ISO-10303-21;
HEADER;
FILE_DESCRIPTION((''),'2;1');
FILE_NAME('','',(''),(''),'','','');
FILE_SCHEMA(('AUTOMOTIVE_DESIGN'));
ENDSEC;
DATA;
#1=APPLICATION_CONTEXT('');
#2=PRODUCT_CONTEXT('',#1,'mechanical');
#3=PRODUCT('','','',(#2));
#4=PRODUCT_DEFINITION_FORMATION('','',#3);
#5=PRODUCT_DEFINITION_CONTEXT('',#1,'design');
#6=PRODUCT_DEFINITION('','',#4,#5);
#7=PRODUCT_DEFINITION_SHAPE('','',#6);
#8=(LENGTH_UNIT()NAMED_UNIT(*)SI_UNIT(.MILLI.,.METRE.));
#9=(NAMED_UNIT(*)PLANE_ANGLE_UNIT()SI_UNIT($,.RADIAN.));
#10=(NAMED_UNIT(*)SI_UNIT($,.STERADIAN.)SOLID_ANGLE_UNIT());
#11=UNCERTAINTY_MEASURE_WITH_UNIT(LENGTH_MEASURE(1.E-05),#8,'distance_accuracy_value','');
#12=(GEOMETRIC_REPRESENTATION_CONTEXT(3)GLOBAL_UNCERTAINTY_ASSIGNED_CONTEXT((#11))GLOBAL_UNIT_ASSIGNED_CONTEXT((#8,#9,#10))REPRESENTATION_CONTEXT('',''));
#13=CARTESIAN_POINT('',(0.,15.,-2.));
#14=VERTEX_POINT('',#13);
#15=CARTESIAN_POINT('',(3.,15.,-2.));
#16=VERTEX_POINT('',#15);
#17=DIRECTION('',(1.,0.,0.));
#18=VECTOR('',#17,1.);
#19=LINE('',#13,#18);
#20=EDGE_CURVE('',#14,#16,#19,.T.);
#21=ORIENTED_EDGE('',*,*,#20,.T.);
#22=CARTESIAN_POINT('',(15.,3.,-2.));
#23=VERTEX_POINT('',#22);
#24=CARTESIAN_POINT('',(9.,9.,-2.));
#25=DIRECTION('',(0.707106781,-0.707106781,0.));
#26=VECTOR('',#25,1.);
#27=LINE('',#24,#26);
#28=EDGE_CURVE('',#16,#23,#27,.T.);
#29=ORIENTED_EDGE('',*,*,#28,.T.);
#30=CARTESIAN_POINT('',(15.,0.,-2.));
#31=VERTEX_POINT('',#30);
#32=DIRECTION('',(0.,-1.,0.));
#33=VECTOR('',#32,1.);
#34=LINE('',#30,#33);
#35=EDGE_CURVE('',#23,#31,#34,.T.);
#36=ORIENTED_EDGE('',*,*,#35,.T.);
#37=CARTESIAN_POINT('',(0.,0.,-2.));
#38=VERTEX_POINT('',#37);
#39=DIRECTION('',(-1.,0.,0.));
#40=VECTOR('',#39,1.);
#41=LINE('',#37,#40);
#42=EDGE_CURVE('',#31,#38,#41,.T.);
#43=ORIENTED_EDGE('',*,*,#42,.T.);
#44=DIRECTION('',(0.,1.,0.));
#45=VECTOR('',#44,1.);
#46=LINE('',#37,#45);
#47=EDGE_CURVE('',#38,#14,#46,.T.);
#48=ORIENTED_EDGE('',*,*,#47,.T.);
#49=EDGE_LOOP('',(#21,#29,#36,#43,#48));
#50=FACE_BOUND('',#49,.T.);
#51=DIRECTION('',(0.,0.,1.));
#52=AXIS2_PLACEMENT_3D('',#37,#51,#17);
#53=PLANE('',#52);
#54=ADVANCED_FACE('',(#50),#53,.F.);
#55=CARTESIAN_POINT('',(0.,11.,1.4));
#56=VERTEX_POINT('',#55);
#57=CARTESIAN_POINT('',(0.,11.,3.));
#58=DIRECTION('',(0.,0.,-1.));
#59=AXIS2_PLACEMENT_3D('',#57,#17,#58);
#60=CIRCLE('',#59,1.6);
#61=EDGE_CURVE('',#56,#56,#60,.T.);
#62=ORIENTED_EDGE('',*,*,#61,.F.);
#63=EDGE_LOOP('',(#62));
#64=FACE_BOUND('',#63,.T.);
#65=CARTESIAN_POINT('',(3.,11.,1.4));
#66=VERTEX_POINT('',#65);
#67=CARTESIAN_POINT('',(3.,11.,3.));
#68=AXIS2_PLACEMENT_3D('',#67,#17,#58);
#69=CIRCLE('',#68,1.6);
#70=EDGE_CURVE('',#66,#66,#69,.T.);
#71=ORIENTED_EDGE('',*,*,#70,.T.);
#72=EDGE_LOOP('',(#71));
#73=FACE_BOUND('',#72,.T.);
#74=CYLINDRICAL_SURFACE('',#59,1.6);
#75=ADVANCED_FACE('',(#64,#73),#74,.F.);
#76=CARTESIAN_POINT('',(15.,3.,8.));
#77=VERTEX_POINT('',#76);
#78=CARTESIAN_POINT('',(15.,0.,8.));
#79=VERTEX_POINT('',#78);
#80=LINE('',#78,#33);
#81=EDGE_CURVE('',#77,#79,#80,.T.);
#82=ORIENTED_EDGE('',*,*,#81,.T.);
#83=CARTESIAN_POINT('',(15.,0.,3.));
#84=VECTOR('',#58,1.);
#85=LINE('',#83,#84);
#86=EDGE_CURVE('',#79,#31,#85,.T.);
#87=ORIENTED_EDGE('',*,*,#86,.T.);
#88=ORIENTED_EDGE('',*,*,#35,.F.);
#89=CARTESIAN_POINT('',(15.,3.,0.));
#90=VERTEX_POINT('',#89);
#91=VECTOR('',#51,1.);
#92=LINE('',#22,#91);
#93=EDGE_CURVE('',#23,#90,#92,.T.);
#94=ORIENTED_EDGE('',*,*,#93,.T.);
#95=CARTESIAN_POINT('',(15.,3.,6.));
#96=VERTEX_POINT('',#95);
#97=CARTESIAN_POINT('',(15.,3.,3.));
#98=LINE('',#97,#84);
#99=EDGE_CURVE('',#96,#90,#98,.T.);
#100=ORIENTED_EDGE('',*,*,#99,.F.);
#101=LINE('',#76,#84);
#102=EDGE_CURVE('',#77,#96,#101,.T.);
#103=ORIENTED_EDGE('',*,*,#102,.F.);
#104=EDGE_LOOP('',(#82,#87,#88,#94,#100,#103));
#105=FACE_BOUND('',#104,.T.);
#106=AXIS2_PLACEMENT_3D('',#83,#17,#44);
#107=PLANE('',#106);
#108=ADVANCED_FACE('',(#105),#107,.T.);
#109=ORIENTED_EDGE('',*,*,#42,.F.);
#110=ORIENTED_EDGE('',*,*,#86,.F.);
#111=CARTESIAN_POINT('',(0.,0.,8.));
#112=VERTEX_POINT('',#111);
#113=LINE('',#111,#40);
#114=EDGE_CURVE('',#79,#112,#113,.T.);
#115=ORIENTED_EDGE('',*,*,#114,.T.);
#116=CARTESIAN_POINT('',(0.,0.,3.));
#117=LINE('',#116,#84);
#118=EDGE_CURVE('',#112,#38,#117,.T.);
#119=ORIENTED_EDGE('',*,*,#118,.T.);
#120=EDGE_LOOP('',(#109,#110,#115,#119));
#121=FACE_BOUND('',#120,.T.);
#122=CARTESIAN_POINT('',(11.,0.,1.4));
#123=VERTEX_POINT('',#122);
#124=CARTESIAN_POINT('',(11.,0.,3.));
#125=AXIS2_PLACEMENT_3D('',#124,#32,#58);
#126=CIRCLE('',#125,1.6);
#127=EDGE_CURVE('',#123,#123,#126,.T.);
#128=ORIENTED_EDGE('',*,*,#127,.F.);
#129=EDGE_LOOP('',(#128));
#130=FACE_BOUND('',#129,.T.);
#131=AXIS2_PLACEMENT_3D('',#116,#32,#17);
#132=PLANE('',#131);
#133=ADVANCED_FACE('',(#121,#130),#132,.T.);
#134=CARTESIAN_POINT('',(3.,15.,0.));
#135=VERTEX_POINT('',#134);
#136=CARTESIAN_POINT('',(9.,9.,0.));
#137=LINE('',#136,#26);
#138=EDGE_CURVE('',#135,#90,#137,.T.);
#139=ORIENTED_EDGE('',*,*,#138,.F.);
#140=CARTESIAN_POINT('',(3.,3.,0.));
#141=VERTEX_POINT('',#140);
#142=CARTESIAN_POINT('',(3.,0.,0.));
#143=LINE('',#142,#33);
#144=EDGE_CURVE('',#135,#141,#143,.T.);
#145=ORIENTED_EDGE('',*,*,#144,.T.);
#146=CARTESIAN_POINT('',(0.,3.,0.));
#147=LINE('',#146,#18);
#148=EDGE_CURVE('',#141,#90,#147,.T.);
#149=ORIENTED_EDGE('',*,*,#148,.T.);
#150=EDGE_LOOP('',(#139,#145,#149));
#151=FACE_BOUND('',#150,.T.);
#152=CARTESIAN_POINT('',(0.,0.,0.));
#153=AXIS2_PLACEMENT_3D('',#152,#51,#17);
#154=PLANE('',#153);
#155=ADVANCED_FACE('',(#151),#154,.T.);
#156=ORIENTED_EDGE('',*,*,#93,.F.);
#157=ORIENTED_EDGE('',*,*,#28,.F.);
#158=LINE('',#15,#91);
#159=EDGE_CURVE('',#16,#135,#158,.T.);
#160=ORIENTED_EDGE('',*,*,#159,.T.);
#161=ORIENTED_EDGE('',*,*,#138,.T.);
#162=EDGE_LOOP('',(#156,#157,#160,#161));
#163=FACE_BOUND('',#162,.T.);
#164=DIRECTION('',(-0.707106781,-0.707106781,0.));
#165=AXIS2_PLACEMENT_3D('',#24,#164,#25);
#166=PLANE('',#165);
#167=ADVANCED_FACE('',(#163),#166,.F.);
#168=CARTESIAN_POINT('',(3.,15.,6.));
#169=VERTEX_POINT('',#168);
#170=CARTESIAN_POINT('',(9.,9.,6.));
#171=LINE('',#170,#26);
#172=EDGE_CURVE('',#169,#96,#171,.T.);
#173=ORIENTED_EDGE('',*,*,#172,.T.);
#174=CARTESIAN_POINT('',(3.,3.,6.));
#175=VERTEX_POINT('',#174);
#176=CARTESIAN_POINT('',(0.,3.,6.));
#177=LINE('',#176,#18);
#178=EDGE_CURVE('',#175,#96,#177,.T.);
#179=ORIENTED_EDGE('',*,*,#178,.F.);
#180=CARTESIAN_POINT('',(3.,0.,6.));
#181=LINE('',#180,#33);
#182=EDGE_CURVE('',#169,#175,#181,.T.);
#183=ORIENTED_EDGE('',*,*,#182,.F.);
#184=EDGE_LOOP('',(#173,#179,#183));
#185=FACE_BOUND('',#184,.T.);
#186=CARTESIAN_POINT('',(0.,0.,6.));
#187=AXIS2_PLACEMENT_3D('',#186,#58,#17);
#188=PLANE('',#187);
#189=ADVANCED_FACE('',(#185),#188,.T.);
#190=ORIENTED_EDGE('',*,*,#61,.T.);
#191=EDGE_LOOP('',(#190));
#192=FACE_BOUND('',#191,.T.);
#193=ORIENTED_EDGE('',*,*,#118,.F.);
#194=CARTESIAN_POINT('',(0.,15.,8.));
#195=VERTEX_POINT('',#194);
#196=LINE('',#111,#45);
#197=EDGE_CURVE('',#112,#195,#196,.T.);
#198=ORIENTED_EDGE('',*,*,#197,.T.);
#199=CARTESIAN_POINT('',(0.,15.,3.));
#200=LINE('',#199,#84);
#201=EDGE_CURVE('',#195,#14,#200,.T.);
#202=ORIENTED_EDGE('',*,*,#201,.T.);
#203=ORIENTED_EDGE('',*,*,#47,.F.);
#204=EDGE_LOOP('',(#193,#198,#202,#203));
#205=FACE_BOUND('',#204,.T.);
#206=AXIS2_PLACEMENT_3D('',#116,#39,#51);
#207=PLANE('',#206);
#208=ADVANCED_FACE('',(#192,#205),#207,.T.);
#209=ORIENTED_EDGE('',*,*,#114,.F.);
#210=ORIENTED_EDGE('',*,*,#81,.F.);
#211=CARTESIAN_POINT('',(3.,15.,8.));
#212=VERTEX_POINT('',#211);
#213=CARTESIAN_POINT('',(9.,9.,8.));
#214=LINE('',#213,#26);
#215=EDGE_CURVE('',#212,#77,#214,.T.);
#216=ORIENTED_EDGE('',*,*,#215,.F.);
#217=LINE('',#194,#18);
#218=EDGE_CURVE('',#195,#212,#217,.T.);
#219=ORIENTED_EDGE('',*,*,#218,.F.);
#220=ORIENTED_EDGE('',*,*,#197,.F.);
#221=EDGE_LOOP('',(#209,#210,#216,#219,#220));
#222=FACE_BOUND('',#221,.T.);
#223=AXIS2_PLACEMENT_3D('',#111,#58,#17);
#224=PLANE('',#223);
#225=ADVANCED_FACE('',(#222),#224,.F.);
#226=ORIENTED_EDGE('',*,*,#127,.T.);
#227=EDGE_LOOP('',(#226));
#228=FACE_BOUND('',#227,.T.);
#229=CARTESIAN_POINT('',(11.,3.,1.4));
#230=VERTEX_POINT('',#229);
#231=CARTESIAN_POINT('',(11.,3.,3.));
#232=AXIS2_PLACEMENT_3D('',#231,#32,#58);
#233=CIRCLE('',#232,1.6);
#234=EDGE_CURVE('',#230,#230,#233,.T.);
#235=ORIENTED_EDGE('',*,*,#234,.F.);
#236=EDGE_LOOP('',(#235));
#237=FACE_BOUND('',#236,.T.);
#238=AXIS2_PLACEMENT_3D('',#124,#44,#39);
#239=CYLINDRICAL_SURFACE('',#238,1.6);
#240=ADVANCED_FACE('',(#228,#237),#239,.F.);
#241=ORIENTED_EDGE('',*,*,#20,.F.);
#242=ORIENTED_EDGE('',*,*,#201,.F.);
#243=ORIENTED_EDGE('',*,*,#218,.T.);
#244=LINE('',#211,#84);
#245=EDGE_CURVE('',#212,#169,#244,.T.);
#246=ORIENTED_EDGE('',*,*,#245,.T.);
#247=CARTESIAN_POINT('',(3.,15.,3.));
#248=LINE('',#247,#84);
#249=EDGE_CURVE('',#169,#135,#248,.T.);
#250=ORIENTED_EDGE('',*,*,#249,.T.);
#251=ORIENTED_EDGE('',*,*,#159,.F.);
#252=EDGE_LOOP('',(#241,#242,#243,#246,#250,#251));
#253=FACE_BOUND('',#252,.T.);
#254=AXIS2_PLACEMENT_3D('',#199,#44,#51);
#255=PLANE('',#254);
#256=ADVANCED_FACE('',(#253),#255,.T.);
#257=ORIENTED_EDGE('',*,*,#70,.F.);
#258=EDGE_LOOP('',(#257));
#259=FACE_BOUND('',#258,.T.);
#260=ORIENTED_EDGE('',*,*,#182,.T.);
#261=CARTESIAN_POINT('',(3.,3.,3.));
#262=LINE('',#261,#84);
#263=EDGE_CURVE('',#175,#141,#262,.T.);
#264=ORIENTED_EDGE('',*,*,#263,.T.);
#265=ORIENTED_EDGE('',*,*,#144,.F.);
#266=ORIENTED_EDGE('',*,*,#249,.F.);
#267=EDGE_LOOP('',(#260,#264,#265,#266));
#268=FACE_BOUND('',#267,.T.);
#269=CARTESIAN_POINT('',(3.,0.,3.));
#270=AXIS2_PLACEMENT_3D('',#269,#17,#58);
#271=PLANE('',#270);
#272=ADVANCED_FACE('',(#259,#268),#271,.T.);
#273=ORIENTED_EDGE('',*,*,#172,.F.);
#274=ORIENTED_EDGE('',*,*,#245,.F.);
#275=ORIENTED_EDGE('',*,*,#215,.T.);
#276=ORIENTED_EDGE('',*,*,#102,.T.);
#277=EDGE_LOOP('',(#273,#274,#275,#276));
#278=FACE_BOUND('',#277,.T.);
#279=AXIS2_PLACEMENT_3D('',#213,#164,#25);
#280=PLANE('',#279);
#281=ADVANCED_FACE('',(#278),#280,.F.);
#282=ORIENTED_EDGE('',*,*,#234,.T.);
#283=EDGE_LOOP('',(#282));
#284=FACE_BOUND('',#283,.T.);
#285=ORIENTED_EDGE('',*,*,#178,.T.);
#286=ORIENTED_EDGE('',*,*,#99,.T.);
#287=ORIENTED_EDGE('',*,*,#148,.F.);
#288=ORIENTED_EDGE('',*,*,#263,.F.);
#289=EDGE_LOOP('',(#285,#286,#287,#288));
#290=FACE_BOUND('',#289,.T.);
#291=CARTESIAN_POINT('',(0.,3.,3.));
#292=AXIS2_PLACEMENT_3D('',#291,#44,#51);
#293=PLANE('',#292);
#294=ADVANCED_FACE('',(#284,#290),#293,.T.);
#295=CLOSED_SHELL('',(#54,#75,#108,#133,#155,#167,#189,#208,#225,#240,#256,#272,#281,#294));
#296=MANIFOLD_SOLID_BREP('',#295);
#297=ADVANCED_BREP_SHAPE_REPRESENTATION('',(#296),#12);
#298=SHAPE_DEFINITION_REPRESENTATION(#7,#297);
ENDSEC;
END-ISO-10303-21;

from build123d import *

# Parameters (mm, degrees)
BOSS_EXTRUDE1_DEPTH = 3
BOSS_EXTRUDE3_DEPTH = 2
SKETCH2_R           = 1.6
CUT_EXTRUDE1_DEPTH  = 21.808652047


with BuildPart() as part:
    # Sketch1 → Boss-Extrude1 (new body)
    with BuildSketch(Plane.XY):
        Polygon((0, 0), (15, 0), (15, 3), (3, 3), (3, 15), (0, 15), align=None)
    extrude(amount=BOSS_EXTRUDE1_DEPTH)

    # Sketch1<4> → Boss-Extrude3 (add)
    with BuildSketch(Plane.XY):
        Polygon((0, 0), (15, 0), (15, 3), (3, 15), (0, 15), align=None)
    extrude(amount=-BOSS_EXTRUDE3_DEPTH)

    # Mirror1: part across plane


with BuildPart() as part_1:
    add(part.part)
    add(part.part.mirror(Plane.XY.offset(3)))

    # Sketch2 → Cut-Extrude1 (cut, through all)
    with BuildSketch(Plane(origin=(3, 0, 0), x_dir=(0, 0, -1), z_dir=(1, 0, 0))):
        with Locations((-3, 11)):
            Circle(SKETCH2_R)
    cut_extrude1 = extrude(amount=-CUT_EXTRUDE1_DEPTH, mode=Mode.SUBTRACT)

    # Mirror2: Cut-Extrude1 across plane
    add(cut_extrude1.mirror(Plane(origin=(0, 0, 0), x_dir=(0, 0, 1), z_dir=(0.7071067811865517, -0.7071067811865436, 0))), mode=Mode.SUBTRACT)


solid = part_1.part
